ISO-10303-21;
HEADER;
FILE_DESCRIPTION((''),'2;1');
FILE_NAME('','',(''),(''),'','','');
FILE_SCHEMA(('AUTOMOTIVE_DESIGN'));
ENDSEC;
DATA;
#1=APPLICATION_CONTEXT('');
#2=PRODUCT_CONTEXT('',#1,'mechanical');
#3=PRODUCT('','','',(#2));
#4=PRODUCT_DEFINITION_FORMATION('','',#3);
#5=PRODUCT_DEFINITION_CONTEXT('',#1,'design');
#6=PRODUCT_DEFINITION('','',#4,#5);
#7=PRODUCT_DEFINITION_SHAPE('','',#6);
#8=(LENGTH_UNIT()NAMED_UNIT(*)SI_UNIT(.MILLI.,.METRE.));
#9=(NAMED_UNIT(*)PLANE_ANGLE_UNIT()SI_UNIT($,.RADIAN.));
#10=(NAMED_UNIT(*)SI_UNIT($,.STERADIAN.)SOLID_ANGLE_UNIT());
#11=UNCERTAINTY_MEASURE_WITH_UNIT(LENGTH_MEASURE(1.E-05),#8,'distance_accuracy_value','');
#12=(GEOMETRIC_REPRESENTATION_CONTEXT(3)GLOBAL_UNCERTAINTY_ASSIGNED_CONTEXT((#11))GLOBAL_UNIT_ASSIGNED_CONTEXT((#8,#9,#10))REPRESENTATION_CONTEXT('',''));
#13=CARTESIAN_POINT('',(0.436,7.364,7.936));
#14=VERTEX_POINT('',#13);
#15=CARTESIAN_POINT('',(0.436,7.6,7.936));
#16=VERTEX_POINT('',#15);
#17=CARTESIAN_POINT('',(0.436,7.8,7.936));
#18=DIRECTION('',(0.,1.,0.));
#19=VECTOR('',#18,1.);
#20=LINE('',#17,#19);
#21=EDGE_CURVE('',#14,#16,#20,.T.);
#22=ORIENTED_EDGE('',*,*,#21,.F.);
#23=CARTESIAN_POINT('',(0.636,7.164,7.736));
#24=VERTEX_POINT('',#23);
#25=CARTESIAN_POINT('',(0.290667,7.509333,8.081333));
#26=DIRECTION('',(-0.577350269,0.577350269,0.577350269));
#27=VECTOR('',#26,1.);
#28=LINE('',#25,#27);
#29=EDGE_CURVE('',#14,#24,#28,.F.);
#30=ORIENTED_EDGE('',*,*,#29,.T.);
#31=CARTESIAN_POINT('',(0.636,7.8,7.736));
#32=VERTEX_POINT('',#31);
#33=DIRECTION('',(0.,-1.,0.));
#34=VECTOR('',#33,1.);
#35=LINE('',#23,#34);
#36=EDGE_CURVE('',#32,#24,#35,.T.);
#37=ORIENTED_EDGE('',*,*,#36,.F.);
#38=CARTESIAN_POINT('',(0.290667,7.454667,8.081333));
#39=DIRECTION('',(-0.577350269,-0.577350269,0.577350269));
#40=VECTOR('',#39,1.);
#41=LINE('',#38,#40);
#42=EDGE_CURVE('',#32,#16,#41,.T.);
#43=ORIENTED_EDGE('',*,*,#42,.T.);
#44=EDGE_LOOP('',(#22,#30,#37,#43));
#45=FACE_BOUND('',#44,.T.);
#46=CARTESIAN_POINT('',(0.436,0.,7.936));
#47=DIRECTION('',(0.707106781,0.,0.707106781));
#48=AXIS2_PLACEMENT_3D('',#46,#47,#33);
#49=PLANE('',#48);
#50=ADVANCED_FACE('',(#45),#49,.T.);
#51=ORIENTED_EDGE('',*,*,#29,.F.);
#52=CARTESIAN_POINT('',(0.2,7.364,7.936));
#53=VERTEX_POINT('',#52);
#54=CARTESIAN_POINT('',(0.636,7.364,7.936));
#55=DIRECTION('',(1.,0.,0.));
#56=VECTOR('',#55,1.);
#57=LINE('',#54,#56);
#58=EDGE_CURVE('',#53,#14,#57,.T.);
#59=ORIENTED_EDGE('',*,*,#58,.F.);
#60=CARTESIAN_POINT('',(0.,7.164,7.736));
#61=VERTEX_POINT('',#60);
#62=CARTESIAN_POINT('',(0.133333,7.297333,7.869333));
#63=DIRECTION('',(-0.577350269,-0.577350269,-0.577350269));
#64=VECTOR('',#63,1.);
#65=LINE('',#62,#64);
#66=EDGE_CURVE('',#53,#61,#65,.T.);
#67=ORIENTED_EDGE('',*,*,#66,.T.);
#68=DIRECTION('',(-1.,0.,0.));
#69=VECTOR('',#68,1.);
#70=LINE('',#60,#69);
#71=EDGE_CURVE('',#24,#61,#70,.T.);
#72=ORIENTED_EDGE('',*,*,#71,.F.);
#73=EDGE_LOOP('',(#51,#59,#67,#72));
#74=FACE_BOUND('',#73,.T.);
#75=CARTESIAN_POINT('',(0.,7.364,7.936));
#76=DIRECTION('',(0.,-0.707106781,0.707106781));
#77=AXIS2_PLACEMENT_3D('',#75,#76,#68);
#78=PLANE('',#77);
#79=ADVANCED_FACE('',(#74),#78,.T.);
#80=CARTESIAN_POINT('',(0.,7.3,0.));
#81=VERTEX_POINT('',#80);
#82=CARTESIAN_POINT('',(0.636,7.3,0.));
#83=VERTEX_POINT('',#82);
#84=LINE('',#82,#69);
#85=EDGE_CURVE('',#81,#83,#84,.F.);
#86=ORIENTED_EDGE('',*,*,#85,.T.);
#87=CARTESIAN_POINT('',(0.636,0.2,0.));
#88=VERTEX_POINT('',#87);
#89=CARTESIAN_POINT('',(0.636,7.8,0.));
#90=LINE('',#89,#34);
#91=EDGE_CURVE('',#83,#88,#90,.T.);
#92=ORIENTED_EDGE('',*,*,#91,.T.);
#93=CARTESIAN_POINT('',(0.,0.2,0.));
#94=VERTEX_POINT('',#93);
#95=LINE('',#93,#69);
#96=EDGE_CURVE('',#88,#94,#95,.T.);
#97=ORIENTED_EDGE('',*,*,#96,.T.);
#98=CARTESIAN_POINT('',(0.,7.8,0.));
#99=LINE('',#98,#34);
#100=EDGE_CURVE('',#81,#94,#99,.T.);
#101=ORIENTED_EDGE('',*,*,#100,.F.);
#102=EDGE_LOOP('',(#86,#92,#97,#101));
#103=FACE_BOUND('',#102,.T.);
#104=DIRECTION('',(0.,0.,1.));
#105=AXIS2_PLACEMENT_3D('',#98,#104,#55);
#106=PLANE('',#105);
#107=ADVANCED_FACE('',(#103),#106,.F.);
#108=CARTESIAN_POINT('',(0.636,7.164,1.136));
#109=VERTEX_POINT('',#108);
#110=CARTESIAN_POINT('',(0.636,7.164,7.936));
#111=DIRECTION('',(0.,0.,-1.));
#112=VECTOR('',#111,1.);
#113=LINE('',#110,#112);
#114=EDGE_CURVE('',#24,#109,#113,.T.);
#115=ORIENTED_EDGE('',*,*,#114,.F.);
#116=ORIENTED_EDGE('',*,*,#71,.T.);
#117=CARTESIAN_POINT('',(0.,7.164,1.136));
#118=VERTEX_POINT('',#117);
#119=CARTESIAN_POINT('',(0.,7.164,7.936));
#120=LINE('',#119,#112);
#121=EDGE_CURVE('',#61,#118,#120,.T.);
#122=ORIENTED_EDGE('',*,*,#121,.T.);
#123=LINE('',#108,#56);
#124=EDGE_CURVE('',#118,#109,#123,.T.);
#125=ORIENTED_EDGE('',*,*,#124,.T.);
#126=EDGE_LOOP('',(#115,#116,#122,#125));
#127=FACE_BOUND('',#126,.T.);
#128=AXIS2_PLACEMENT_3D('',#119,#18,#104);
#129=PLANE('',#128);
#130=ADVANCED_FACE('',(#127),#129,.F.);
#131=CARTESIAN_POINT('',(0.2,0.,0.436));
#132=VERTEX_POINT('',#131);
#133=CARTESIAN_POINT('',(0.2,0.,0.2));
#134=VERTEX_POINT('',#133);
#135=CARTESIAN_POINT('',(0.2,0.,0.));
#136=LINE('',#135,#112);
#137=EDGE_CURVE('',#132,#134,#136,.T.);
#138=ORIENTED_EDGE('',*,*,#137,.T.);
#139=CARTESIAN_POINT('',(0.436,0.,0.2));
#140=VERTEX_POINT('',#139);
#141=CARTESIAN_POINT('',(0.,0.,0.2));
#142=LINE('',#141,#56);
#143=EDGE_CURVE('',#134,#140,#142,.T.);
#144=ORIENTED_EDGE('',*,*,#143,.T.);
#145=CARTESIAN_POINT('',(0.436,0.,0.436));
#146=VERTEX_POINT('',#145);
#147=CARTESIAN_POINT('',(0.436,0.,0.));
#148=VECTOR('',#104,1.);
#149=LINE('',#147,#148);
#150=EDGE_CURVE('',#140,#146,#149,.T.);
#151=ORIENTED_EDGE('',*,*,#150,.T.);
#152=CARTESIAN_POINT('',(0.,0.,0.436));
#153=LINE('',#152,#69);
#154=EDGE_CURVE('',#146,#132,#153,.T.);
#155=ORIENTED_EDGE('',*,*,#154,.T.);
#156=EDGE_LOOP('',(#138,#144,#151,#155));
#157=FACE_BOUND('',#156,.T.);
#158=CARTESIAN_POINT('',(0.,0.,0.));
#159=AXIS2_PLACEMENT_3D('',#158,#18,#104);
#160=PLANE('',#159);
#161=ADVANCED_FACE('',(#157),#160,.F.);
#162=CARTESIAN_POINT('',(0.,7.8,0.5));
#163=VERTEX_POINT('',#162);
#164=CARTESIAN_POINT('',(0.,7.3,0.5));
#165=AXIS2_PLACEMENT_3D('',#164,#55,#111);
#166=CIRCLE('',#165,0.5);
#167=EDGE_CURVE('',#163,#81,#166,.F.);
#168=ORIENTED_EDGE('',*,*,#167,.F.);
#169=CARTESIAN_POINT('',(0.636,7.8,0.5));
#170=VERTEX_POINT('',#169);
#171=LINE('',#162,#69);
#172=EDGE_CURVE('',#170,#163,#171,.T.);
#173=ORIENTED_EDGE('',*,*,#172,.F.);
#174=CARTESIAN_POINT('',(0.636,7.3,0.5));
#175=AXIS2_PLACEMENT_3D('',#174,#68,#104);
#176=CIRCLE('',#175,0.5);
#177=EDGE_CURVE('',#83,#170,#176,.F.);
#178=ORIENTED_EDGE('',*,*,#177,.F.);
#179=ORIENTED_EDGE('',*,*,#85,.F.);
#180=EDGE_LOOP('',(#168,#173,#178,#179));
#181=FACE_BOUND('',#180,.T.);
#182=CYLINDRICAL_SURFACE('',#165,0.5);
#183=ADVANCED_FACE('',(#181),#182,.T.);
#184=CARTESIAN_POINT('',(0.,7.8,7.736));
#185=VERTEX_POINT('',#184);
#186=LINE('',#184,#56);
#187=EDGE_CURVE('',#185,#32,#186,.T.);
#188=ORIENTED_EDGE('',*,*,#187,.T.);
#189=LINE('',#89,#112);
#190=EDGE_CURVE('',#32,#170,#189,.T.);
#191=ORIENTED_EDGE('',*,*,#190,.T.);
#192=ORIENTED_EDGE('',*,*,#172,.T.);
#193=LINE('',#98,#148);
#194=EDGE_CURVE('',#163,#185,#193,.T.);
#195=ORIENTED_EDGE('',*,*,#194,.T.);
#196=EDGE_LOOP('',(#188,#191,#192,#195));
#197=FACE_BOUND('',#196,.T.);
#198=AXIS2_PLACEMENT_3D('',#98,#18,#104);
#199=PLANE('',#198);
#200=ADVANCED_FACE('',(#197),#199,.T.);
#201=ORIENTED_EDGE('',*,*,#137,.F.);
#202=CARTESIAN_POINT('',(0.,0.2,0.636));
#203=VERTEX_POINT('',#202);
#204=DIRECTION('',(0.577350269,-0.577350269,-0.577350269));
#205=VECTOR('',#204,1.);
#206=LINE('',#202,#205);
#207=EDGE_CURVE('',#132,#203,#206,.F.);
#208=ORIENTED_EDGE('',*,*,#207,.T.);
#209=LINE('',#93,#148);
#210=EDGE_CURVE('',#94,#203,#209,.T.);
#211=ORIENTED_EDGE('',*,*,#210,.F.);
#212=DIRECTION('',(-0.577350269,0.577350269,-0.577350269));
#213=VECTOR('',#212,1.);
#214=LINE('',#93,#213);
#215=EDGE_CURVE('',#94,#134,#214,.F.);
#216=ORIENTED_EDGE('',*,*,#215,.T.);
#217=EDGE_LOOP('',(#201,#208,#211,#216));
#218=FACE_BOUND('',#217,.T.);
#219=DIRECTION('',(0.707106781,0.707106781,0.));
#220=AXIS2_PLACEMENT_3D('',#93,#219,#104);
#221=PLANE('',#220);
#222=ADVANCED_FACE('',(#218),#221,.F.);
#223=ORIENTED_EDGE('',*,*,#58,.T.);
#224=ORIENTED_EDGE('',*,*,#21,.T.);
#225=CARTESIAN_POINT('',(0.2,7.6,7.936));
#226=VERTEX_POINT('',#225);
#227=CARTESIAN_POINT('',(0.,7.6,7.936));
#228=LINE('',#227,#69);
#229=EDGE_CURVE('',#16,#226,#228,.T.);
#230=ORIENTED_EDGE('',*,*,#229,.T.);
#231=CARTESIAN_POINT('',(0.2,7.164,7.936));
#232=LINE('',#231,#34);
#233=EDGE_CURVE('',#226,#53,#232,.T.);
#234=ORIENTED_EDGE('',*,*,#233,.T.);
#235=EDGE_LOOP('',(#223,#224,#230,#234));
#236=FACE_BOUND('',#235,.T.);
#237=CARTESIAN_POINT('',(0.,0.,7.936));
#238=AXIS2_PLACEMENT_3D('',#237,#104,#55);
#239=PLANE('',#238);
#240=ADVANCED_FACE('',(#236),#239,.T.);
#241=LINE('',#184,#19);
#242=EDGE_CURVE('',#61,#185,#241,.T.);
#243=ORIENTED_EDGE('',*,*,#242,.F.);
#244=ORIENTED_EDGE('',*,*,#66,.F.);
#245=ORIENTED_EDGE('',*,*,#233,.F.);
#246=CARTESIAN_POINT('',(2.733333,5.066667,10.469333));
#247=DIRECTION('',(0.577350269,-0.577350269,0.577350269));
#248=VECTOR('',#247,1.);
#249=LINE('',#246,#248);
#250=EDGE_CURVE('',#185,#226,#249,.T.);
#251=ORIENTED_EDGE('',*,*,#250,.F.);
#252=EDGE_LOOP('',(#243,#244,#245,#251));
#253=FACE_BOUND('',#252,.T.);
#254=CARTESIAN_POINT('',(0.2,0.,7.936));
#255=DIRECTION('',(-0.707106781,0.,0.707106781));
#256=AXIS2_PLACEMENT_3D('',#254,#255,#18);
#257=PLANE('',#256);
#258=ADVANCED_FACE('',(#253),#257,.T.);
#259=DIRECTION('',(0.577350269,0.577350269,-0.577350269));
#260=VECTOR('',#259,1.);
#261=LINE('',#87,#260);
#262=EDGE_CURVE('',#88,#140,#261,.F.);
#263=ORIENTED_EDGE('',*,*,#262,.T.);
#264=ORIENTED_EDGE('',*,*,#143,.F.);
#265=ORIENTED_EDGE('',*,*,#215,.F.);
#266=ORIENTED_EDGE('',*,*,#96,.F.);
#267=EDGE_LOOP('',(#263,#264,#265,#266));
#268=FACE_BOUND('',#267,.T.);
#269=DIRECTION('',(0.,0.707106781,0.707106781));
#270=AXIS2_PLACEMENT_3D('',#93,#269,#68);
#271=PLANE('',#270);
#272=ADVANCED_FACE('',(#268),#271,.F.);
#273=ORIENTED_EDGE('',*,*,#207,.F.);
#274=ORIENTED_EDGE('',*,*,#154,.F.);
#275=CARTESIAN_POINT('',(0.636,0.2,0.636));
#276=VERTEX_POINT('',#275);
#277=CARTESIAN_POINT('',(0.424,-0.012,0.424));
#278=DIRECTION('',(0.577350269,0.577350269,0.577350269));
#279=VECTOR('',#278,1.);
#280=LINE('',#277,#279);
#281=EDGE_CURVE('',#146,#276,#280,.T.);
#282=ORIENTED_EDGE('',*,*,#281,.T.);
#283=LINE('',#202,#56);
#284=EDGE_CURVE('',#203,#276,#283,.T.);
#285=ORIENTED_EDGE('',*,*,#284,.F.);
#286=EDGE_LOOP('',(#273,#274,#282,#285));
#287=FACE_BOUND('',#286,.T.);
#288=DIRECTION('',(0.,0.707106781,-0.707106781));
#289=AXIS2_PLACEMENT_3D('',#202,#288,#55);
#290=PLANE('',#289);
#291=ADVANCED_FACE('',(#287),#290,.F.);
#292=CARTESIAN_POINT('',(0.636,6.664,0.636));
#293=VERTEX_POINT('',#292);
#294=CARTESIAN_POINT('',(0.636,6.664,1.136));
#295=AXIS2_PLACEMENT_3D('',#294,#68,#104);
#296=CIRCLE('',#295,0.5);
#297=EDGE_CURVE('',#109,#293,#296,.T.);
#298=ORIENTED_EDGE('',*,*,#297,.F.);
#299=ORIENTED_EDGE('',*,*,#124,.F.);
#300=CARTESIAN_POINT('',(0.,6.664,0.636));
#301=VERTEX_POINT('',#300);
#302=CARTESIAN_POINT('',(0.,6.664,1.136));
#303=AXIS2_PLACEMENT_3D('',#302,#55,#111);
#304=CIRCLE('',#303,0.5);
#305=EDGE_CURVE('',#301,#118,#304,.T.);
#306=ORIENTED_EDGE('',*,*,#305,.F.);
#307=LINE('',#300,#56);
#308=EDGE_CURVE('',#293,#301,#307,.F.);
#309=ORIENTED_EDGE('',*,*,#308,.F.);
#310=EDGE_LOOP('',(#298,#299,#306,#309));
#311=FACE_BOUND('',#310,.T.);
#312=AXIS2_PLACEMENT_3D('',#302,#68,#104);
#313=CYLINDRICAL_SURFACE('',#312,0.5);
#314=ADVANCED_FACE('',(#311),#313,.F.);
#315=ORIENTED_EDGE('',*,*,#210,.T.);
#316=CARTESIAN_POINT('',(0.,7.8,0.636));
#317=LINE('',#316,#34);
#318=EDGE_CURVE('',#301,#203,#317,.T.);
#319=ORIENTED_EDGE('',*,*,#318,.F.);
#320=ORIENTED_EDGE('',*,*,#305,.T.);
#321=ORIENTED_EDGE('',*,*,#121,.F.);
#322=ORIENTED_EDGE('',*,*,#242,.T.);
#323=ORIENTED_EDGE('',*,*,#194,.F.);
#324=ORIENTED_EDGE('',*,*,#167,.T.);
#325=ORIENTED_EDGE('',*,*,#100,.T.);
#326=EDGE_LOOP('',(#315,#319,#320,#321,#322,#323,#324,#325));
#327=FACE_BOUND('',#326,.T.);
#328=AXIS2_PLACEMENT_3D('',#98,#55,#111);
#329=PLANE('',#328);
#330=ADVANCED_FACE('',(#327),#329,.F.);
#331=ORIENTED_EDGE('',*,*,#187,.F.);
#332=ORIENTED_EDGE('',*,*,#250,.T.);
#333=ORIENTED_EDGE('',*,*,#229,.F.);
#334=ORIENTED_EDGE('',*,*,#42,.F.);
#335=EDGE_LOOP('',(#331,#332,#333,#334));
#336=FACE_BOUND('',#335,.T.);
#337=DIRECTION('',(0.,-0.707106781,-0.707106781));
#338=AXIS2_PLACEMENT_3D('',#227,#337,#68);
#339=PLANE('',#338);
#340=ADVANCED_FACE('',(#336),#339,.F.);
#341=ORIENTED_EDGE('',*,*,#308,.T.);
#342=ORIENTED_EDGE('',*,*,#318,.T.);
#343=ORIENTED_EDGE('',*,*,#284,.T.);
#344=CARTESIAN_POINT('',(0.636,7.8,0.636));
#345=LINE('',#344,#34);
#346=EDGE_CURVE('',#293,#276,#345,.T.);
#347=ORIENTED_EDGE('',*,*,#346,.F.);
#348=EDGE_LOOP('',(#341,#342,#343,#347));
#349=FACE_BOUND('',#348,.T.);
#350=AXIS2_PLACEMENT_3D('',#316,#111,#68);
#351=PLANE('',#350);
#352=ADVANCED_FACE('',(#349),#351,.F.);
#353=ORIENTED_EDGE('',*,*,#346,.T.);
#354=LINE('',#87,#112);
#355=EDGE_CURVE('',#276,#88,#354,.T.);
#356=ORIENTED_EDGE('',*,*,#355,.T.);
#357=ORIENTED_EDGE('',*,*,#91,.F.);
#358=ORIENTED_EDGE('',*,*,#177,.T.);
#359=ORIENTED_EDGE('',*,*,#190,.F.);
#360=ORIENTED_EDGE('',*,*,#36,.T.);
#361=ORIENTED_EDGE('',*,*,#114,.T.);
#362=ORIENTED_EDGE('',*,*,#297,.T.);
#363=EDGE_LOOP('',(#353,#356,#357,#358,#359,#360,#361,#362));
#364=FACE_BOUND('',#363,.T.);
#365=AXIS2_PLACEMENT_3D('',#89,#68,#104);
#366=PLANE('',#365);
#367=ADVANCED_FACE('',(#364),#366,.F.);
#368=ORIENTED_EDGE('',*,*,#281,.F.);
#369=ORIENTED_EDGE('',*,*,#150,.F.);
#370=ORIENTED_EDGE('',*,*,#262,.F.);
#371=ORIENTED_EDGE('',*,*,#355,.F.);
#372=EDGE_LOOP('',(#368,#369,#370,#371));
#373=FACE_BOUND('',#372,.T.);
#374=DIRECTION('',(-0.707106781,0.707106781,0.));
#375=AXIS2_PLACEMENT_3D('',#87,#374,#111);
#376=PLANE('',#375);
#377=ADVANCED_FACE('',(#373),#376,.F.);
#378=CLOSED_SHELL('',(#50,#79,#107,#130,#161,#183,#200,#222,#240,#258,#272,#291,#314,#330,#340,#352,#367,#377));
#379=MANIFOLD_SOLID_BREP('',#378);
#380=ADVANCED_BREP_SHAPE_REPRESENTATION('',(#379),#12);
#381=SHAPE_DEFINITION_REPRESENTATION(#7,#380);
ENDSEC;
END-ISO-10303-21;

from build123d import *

# Parameters (mm, degrees)
CROQUIS1_W              = 0.636
CROQUIS1_H              = 0.636
SALIENTE_EXTRUIR1_DEPTH = 7.8
CROQUIS2_W              = 0.636
CROQUIS2_H              = 0.636
SALIENTE_EXTRUIR2_DEPTH = 7.3
REDONDEO1_R             = 0.5
CHAFL_N1_SIZE           = 0.2
CHAFL_N2_SIZE           = 0.2


with BuildPart() as part:
    # Croquis1 → Saliente-Extruir1 (new body)
    with BuildSketch(Plane(origin=(0, 0, 0), x_dir=(1, 0, 0), z_dir=(0, 1, 0))):
        with Locations((0.318, -0.318)):
            Rectangle(CROQUIS1_W, CROQUIS1_H)
    extrude(amount=SALIENTE_EXTRUIR1_DEPTH)

    # Croquis2 → Saliente-Extruir2 (add)
    with BuildSketch(Plane.XY.offset(0.636)):
        with Locations((0.318, 7.482)):
            Rectangle(CROQUIS2_W, CROQUIS2_H)
    extrude(amount=SALIENTE_EXTRUIR2_DEPTH)

    # Redondeo1
    redondeo1_edges = [part.edges().sort_by_distance(p)[0] for p in [
        (0.318, 7.164, 0.636),
        (0.318, 7.8, 0),
    ]]
    fillet(redondeo1_edges, radius=REDONDEO1_R)

    # Chaflán1
    chafl_n1_edges = [part.edges().sort_by_distance(p)[0] for p in [
        (0.636, 7.482, 7.936),
        (0.318, 7.8, 7.936),
        (0, 7.482, 7.936),
        (0.318, 7.164, 7.936),
    ]]
    chamfer(chafl_n1_edges, length=CHAFL_N1_SIZE)

    # Chaflán2
    chafl_n2_edges = [part.edges().sort_by_distance(p)[0] for p in [
        (0.318, 0, 0),
        (0.636, 0, 0.318),
        (0.318, 0, 0.636),
        (0, 0, 0.318),
    ]]
    chamfer(chafl_n2_edges, length=CHAFL_N2_SIZE)


solid = part.part
